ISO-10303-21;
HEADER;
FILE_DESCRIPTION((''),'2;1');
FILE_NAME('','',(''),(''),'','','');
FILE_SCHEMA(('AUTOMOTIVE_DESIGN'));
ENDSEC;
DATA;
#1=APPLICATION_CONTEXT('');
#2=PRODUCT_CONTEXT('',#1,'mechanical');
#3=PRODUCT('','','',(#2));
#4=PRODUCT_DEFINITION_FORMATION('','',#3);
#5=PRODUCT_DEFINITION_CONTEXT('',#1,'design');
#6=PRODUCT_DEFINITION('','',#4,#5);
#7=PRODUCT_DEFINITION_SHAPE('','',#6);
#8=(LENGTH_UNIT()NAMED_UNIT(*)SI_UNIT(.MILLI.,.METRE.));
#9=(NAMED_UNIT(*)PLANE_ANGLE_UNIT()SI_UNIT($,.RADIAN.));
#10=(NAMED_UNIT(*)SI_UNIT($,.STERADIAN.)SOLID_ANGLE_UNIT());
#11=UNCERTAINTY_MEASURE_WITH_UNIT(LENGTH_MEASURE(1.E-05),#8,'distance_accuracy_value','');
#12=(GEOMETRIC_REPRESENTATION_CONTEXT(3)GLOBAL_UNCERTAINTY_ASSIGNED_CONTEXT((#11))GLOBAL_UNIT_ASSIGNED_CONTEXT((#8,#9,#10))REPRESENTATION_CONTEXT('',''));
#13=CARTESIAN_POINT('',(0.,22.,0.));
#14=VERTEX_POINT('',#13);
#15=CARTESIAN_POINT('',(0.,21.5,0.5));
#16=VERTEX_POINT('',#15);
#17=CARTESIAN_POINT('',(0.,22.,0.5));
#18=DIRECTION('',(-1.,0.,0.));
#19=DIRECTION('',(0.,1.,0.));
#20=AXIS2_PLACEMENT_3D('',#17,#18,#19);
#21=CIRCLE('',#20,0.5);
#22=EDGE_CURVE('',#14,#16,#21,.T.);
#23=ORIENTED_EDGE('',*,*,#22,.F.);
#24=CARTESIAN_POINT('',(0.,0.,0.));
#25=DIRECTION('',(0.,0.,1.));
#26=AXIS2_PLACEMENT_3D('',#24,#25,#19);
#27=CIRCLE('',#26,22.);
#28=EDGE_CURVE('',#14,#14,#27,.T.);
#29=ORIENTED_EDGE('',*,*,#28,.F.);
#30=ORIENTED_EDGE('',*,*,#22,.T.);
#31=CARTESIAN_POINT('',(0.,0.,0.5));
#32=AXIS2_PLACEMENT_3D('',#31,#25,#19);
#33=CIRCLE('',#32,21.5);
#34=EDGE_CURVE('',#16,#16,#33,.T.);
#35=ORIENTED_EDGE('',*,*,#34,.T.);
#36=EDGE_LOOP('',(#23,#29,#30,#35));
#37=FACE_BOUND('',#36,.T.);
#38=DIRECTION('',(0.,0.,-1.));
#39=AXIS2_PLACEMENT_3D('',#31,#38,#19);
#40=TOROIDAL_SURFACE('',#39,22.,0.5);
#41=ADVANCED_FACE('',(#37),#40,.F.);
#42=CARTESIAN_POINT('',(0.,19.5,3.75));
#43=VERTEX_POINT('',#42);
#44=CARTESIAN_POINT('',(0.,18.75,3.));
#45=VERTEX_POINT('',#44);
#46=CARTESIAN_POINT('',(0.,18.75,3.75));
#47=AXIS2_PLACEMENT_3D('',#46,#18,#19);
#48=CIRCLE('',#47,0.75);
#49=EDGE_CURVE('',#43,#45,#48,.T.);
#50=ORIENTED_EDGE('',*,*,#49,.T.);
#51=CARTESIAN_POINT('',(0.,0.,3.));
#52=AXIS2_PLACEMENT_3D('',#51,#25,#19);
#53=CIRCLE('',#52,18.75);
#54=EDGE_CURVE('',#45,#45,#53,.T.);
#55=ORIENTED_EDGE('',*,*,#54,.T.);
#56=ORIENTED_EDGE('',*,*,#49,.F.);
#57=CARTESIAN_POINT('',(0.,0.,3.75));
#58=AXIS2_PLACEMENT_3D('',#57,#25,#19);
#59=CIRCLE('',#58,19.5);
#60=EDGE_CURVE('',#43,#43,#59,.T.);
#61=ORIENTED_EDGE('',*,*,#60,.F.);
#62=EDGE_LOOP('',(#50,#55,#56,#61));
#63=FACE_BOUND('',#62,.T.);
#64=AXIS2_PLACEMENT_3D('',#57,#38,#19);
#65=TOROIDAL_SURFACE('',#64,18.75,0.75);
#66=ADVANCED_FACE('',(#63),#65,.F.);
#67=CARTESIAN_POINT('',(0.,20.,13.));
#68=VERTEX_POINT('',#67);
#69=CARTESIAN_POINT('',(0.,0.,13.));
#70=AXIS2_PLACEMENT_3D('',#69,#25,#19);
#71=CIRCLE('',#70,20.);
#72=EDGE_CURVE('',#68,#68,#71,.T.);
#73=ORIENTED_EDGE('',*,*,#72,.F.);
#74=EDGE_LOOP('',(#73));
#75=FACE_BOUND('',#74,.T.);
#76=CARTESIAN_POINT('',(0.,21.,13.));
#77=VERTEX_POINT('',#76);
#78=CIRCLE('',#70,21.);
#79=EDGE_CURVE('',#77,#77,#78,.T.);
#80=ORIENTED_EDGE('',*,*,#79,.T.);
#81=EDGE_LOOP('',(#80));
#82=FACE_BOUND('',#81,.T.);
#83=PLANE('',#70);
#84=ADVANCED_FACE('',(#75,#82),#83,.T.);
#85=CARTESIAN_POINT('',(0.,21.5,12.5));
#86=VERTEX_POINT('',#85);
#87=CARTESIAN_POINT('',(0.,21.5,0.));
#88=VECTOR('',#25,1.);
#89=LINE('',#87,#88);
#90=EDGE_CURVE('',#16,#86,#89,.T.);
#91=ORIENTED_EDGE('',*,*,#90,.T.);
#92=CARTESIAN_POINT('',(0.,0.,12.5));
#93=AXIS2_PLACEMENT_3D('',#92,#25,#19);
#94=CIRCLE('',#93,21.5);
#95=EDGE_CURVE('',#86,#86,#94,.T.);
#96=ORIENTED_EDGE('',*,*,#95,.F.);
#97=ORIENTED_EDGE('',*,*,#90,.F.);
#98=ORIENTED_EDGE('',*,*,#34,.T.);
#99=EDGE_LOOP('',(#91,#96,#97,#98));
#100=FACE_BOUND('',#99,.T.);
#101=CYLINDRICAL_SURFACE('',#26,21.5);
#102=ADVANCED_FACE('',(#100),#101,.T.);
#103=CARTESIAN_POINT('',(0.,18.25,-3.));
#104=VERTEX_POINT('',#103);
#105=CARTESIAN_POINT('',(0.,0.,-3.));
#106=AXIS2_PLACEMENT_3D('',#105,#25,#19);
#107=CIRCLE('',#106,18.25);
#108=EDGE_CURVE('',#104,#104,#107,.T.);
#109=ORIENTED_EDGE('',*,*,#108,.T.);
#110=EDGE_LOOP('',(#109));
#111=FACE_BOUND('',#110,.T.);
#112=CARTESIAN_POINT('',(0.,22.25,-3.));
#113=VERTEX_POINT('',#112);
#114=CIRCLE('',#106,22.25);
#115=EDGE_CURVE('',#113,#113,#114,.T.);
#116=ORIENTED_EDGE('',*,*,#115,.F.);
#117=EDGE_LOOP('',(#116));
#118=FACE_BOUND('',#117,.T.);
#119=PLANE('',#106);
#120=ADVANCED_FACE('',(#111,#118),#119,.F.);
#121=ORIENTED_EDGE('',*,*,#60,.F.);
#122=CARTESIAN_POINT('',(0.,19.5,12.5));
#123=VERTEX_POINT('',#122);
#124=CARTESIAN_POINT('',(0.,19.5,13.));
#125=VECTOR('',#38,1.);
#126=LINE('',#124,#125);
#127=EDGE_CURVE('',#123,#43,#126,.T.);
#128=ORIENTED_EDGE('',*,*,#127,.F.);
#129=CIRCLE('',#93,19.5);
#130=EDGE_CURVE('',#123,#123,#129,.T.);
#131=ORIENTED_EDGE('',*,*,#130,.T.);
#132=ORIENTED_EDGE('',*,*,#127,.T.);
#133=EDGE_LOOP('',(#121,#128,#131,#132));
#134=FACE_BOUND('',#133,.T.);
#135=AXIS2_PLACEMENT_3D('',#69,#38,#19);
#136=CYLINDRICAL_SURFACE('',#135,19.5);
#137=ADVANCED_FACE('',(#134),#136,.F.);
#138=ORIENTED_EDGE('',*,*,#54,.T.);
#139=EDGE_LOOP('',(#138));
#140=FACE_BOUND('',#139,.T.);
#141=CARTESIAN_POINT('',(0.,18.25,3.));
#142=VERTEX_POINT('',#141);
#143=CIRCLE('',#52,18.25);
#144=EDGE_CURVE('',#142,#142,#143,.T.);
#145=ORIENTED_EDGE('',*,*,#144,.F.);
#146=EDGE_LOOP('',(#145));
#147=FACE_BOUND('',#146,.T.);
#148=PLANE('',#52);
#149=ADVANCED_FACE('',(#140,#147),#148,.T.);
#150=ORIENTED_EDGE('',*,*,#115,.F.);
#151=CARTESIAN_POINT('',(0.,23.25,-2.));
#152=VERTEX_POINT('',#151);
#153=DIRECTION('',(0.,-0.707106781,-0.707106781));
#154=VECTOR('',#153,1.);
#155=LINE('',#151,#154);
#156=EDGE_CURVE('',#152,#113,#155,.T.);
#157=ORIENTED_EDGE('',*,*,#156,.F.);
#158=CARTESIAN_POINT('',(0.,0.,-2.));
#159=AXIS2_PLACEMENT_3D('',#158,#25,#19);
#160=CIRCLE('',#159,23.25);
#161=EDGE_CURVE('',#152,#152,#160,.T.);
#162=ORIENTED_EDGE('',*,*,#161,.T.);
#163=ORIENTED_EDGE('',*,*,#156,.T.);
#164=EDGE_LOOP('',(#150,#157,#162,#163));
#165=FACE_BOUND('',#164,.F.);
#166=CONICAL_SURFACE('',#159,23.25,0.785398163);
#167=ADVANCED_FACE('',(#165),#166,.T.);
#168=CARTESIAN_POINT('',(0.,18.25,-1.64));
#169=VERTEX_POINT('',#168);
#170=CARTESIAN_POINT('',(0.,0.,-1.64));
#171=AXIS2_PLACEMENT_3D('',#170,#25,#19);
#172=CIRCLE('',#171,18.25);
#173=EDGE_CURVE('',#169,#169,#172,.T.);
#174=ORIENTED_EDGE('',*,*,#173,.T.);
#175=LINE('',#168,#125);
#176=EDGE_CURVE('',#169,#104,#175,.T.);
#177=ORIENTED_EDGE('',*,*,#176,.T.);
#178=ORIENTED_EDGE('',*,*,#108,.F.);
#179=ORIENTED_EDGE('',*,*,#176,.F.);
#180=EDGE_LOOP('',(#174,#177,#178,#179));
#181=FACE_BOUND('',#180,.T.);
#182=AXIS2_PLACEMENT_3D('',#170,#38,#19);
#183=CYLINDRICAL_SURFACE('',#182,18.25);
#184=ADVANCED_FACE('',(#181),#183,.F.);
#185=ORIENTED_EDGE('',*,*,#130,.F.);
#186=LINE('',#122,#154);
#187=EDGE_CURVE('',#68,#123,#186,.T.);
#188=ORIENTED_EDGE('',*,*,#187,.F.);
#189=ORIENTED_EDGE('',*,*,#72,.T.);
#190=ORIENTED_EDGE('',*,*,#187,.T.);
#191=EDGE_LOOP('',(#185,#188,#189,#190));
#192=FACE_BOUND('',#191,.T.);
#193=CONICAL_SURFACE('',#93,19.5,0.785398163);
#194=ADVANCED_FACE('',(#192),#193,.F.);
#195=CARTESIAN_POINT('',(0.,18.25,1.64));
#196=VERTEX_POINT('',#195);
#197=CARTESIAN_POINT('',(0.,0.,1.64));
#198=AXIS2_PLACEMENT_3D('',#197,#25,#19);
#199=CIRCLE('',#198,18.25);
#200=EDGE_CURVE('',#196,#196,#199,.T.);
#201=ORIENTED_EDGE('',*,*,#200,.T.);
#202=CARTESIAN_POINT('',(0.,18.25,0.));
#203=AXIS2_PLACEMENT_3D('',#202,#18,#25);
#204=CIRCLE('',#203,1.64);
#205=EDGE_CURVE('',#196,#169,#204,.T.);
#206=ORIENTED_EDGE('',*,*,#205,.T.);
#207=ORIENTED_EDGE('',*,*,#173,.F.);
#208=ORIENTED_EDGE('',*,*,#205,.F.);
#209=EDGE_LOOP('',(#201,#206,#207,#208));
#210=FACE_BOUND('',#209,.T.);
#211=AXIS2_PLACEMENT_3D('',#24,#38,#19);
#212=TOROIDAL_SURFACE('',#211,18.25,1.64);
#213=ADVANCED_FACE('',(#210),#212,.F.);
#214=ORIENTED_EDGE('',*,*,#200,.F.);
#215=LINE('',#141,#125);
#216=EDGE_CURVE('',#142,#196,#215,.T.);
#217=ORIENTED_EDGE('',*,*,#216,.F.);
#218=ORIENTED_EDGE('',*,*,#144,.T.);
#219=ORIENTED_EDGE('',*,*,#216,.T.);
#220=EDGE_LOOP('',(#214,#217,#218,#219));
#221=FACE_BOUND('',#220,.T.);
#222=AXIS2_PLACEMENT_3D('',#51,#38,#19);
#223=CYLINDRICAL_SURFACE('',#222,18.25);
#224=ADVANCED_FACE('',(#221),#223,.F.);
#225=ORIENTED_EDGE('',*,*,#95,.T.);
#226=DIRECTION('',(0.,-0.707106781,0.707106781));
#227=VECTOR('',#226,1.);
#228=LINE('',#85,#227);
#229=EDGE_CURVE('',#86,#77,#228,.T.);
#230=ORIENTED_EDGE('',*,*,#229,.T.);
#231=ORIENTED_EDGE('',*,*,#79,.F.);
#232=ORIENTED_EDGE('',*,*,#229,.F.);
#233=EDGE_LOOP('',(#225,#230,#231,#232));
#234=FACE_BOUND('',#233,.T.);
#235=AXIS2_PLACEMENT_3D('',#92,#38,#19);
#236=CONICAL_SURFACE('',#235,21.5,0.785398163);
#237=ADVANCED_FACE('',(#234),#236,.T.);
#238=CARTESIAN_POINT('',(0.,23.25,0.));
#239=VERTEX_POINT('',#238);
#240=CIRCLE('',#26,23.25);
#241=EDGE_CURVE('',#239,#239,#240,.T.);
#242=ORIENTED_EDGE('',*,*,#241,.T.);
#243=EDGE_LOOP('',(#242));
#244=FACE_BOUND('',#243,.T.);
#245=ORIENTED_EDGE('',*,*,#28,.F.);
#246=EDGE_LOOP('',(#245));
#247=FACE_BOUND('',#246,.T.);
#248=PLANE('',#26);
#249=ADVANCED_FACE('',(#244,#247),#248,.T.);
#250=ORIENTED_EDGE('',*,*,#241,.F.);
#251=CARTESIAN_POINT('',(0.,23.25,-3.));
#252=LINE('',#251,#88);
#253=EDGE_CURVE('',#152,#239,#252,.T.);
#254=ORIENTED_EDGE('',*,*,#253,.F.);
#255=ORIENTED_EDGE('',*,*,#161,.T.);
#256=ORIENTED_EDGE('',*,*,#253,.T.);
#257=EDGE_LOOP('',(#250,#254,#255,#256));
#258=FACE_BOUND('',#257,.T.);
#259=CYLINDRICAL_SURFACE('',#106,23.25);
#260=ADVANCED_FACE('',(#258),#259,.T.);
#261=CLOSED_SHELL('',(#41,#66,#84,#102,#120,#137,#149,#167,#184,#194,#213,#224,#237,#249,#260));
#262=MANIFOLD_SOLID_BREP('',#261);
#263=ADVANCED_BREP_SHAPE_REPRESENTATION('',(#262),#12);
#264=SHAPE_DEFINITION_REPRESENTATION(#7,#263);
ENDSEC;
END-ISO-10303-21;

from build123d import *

# Parameters (mm, degrees)
F2_R    = 0.5
F3_SIZE = 1
F4_SIZE = 0.5
F5_R    = 0.75


with BuildPart() as f1:
    # F0 (on Right) → F1 (revolve)
    with BuildSketch(Plane.YZ):
        with BuildLine():
            Line((19.5, 3), (18.25, 3))
            Line((18.25, 3), (18.25, 1.64))
            ThreePointArc((18.25, 1.64), (19.89, 0), (18.25, -1.64))
            Line((18.25, -1.64), (18.25, -3))
            Line((18.25, -3), (23.25, -3))
            Line((23.25, -3), (23.25, 0))
            Line((23.25, 0), (21.5, 0))
            Line((21.5, 0), (21.5, 3))
            Line((21.5, 3), (19.5, 3))
        make_face()
        Polygon((19.5, 11), (19.5, 3), (21.5, 3), (21.5, 13), (19.5, 13), align=None)
    revolve(axis=Axis((0, 0, 4.880332), (0, 0, 1)))

    # F2
    f2_edges = [f1.edges().sort_by_distance(p)[0] for p in [
        (0, -21.5, 0),
    ]]
    fillet(f2_edges, radius=F2_R)

    # F3
    f3_edges = [f1.edges().sort_by_distance(p)[0] for p in [
        (0, -23.25, -3),
    ]]
    chamfer(f3_edges, length=F3_SIZE)

    # F4
    f4_edges = [f1.edges().sort_by_distance(p)[0] for p in [
        (0, -21.5, 13),
        (0, -19.5, 13),
    ]]
    chamfer(f4_edges, length=F4_SIZE)

    # F5
    f5_edges = [f1.edges().sort_by_distance(p)[0] for p in [
        (0, -19.5, 3),
    ]]
    fillet(f5_edges, radius=F5_R)


solid = f1.part
